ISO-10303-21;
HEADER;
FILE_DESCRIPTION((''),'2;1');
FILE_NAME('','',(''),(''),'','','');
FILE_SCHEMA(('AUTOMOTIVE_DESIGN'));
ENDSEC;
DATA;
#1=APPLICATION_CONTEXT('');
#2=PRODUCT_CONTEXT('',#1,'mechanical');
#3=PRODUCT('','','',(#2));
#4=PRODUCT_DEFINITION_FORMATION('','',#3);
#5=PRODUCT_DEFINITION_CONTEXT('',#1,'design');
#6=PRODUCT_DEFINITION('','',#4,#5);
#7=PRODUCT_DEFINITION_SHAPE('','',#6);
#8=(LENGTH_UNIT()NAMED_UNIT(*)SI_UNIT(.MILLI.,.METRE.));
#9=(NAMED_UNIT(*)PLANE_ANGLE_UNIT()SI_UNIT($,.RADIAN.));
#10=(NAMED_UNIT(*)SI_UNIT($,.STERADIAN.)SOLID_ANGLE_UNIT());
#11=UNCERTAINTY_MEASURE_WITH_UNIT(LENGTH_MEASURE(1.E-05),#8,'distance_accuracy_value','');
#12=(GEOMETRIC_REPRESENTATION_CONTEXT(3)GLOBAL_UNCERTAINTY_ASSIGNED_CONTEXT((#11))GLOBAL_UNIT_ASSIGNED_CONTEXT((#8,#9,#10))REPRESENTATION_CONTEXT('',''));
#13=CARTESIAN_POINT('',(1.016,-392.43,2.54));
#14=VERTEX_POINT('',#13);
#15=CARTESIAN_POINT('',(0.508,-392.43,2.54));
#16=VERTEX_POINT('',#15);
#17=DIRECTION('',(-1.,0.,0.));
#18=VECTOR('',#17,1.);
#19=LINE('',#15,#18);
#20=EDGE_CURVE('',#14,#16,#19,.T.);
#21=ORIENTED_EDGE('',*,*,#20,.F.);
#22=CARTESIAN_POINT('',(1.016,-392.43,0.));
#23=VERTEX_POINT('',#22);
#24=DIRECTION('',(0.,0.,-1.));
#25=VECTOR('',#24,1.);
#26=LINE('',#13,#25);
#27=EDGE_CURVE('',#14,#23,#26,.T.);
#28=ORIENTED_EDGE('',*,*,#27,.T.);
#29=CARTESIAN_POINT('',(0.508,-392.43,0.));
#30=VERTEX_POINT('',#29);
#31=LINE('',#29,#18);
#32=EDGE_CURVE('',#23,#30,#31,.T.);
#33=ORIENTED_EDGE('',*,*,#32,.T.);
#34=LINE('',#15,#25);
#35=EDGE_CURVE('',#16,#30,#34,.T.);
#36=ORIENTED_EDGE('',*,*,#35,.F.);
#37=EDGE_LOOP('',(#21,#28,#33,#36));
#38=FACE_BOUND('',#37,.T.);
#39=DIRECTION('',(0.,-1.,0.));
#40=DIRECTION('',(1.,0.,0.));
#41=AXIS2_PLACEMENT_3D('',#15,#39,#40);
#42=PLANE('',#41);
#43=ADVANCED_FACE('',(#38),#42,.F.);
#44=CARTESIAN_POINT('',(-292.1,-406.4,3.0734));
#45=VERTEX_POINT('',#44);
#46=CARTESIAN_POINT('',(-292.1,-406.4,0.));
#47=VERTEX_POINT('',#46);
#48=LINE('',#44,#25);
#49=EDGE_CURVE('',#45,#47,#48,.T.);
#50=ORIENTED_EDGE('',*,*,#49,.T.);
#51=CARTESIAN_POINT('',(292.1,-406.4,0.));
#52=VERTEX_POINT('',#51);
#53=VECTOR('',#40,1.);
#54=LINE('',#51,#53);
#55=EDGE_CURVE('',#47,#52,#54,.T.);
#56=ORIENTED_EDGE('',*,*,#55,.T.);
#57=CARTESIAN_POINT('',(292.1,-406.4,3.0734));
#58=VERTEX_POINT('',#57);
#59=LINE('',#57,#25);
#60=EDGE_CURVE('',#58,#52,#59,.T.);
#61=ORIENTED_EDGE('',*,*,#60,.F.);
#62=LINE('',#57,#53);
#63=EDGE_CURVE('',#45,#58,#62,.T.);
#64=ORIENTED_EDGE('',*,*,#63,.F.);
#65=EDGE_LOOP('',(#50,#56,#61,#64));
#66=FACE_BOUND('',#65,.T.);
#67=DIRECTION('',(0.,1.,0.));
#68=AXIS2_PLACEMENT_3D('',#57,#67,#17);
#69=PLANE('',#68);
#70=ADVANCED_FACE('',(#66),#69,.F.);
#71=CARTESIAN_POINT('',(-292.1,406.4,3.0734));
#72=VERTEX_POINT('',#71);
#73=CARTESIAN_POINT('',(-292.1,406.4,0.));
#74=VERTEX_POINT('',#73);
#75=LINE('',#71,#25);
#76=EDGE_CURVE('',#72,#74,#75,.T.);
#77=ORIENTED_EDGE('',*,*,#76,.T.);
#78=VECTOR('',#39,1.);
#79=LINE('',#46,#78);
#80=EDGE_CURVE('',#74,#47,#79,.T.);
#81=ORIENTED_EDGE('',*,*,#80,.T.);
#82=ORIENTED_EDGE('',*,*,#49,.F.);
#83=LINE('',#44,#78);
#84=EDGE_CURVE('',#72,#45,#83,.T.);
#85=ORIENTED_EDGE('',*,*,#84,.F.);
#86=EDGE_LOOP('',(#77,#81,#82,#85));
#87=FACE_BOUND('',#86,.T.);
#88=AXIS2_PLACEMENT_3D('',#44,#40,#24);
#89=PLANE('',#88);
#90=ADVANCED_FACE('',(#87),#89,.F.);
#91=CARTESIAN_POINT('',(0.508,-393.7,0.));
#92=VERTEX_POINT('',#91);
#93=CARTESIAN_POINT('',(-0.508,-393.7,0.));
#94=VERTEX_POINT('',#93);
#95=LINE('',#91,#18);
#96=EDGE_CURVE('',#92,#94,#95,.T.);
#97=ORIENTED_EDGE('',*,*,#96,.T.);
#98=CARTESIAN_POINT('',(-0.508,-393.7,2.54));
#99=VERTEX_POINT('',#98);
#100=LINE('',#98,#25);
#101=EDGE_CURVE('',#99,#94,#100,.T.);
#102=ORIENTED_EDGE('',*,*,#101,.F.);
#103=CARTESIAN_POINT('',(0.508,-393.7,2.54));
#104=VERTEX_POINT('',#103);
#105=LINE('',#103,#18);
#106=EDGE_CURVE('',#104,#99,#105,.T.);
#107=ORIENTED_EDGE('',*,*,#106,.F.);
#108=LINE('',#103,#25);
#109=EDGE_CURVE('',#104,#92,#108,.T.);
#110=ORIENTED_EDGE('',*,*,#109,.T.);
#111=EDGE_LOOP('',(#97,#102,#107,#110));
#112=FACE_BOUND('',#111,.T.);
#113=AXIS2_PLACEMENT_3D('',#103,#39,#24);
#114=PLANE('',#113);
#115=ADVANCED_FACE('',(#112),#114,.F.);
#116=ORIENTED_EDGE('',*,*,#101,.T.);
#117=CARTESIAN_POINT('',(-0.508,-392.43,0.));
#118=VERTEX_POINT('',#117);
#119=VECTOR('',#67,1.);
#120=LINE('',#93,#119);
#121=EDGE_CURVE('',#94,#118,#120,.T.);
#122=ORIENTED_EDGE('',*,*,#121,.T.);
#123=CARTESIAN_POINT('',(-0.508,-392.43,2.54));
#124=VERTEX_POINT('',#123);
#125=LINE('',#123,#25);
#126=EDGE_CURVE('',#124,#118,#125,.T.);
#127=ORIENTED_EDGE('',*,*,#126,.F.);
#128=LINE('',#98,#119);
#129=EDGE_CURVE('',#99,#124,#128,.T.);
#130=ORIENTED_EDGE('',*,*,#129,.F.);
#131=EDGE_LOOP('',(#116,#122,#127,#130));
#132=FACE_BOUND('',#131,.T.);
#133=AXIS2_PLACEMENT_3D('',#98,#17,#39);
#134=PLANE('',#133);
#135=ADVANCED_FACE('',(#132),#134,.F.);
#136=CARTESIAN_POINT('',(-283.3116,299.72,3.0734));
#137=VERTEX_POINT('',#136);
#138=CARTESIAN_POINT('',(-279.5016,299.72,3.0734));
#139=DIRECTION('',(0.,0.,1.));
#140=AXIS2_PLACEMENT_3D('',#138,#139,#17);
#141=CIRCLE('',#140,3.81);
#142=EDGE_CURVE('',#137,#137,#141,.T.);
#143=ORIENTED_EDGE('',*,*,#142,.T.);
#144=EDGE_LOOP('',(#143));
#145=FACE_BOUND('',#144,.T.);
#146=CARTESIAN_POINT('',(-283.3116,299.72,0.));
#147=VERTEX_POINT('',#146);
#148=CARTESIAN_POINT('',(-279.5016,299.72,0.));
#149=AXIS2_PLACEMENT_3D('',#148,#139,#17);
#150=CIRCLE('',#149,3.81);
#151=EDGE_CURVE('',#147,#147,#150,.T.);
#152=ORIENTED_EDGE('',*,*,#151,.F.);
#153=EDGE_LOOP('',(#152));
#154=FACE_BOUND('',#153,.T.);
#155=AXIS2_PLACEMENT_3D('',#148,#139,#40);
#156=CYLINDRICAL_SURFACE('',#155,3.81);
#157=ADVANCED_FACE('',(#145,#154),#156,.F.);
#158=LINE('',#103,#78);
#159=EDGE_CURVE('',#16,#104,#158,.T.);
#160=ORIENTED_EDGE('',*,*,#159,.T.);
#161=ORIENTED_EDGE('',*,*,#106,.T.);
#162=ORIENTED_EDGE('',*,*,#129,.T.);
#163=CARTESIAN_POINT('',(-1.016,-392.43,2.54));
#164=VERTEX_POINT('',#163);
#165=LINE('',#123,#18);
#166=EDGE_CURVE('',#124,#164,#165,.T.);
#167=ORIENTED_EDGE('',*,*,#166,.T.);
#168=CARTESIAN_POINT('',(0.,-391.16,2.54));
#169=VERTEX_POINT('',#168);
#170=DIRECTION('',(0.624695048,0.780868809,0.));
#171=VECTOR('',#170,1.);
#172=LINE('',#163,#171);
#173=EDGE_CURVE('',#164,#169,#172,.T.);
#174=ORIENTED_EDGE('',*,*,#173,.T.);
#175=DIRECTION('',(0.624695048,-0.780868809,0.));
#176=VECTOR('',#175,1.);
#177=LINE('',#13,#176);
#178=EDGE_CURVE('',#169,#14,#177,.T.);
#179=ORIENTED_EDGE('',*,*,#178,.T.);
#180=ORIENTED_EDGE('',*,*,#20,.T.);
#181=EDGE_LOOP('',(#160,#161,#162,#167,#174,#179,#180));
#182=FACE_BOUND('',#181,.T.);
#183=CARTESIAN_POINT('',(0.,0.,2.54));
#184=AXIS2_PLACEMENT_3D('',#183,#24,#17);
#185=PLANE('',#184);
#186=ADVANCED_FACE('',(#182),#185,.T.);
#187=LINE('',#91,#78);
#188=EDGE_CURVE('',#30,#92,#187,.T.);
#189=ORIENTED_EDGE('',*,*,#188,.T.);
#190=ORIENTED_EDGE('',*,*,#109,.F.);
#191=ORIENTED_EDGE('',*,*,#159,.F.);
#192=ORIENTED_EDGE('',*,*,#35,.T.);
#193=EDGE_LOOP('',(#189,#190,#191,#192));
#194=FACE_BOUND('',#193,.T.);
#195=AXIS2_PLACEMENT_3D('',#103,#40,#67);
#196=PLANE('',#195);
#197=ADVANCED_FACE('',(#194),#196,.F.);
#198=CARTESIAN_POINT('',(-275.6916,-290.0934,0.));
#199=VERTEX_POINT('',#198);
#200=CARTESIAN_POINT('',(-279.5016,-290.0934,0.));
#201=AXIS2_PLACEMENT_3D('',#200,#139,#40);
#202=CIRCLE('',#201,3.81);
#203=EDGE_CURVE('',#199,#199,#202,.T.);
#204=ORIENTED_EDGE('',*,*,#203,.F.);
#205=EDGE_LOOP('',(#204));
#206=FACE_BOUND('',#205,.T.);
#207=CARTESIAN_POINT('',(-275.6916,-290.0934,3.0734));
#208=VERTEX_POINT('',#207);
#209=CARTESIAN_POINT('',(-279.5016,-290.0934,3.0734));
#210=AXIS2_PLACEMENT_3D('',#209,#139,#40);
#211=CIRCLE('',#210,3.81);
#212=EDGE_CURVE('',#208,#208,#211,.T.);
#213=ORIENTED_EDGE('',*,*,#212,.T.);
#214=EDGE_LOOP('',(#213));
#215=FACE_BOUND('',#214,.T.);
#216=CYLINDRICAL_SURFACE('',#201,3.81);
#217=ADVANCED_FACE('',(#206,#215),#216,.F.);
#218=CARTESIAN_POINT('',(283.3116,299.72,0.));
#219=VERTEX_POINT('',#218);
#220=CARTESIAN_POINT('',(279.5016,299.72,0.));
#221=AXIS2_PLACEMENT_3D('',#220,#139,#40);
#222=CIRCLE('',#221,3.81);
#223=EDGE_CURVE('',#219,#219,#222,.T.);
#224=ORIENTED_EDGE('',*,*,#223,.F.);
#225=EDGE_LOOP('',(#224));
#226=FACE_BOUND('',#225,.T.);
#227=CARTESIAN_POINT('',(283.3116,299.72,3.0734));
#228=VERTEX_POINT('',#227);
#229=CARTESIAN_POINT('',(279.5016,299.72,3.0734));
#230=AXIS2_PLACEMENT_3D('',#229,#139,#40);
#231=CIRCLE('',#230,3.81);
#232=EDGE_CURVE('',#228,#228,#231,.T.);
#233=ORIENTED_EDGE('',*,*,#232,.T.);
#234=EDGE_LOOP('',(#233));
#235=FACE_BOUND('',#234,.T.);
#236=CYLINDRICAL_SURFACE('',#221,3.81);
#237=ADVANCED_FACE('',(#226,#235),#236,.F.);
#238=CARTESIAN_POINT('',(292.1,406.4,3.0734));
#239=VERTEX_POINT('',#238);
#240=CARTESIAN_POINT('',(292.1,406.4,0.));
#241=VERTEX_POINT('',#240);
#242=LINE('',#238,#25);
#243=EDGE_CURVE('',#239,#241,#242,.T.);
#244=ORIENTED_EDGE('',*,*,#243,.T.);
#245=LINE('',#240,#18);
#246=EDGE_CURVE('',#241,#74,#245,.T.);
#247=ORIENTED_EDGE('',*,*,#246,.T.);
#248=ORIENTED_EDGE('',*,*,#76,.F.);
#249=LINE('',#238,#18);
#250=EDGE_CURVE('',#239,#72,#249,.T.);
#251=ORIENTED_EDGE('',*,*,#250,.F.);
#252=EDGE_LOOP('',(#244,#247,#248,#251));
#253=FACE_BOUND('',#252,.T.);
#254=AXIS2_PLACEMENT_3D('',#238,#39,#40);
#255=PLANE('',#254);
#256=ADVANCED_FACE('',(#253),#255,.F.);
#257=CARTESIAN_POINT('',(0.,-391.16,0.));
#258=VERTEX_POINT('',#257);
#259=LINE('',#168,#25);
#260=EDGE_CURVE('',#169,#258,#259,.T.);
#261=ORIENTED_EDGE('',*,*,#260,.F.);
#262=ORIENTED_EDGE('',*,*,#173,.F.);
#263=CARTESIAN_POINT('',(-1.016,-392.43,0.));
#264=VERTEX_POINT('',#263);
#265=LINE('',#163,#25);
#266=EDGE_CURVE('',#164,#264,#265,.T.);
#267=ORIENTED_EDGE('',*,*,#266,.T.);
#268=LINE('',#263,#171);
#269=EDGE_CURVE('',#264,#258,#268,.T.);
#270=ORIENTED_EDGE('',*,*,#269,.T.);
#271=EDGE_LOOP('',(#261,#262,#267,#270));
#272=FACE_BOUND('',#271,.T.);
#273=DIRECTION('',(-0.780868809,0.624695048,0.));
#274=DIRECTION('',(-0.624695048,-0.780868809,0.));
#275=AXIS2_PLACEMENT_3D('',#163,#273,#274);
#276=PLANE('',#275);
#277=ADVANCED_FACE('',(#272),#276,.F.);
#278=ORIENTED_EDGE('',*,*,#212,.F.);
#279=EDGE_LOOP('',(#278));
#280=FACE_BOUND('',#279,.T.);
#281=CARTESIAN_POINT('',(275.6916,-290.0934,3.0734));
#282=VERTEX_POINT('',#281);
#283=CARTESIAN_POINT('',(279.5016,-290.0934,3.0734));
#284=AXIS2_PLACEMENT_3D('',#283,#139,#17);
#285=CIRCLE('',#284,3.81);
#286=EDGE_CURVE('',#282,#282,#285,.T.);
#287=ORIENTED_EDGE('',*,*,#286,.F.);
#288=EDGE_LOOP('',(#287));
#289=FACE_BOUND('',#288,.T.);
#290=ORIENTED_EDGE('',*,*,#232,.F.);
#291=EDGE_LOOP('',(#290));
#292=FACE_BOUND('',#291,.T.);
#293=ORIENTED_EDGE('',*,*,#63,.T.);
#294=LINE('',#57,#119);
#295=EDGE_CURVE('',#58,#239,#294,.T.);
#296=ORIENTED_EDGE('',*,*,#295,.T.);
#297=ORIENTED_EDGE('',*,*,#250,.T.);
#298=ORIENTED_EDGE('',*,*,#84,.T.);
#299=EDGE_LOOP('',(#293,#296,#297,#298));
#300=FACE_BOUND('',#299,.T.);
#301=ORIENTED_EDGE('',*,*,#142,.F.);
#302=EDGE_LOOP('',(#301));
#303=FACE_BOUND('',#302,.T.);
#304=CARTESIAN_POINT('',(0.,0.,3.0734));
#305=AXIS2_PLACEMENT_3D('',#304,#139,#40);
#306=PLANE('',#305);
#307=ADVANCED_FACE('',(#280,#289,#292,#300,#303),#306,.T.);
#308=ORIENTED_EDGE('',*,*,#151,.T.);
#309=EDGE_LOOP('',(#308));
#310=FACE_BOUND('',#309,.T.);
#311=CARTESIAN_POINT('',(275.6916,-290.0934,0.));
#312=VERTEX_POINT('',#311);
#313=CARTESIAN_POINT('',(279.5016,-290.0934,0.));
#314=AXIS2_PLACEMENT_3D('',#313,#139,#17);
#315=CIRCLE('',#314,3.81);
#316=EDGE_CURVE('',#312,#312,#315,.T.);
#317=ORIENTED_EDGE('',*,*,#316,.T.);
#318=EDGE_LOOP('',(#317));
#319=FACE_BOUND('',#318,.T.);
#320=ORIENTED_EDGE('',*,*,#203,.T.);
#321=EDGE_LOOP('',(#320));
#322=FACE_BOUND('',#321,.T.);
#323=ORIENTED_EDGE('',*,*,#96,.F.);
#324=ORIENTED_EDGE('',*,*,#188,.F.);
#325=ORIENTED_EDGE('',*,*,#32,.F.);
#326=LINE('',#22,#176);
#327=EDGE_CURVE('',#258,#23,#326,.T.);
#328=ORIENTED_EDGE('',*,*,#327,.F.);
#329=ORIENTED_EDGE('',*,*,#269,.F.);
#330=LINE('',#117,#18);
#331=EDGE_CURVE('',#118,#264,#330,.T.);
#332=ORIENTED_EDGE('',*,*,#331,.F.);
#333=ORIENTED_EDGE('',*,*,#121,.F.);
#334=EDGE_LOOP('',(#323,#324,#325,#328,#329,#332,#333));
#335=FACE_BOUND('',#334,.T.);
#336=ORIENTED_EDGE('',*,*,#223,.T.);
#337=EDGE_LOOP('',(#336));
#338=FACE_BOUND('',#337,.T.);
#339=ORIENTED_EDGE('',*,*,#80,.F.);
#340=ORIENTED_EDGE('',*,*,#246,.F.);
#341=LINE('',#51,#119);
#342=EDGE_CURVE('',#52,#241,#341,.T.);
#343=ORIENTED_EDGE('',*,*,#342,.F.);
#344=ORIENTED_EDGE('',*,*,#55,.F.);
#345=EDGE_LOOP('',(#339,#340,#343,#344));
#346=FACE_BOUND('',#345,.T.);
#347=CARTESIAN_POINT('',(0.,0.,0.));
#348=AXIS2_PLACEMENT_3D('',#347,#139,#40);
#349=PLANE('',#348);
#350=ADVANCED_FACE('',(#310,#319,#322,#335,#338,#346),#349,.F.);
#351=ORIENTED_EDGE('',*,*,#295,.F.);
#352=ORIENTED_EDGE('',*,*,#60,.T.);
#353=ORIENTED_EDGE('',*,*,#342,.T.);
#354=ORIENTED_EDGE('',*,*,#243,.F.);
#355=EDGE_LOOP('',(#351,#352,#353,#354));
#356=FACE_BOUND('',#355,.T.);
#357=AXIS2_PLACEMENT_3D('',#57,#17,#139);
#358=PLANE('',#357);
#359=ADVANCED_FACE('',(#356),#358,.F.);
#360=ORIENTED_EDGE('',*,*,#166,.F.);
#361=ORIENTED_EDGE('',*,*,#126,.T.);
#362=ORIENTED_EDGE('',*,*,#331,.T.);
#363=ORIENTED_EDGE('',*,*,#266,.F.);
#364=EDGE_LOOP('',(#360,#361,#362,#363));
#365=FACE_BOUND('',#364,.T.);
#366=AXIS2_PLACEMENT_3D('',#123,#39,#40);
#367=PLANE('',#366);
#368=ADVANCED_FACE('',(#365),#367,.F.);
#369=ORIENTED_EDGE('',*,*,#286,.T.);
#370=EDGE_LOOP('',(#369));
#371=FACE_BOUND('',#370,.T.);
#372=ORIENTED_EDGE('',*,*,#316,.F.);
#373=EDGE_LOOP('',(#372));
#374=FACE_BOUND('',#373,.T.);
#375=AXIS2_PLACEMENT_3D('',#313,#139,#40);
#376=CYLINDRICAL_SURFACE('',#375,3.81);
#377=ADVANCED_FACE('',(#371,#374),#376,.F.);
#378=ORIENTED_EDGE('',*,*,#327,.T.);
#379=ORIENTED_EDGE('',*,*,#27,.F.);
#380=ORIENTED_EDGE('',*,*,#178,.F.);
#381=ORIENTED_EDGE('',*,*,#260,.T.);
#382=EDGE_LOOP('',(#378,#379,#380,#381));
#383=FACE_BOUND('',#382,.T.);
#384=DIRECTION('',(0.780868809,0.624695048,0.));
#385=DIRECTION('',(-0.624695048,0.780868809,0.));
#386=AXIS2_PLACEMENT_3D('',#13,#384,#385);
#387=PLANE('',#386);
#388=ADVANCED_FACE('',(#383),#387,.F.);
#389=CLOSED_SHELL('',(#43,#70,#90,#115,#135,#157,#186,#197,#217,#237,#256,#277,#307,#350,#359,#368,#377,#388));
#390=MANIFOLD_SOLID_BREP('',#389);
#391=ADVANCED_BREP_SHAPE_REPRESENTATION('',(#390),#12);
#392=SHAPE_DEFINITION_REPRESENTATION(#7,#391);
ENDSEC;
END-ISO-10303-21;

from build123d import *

# Parameters (mm, degrees)
SKETCH1_W           = 584.2
SKETCH1_H           = 812.8
BOSS_EXTRUDE1_DEPTH = 3.0734
SKETCH3_R           = 3.81
CUT_EXTRUDE1_DEPTH  = 4.0734
CUT_EXTRUDE2_DEPTH  = 2.54


with BuildPart() as part:
    # Sketch1 → Boss-Extrude1 (new body)
    with BuildSketch(Plane.XY):
        Rectangle(SKETCH1_W, SKETCH1_H)
    extrude(amount=BOSS_EXTRUDE1_DEPTH)

    # Sketch3 → Cut-Extrude1 (cut, through all)
    with BuildSketch(Plane.XY.offset(3.0734)):
        with Locations((279.5016, 299.72)):
            Circle(SKETCH3_R)
        with Locations((-279.5016, -290.0934)):
            Circle(SKETCH3_R)
        with Locations((279.5016, -290.0934)):
            Circle(SKETCH3_R)
        with Locations((-279.5016, 299.72)):
            Circle(SKETCH3_R)
    extrude(amount=-CUT_EXTRUDE1_DEPTH, mode=Mode.SUBTRACT)

    # Sketch4 → Cut-Extrude2 (cut)
    with BuildSketch(Plane(origin=(0, 0, 0), x_dir=(-1, 0, 0), z_dir=(0, 0, -1))):
        Polygon((-0.508, -393.7), (0.508, -393.7), (0.508, -392.43), (1.016, -392.43), (0, -391.16), (-1.016, -392.43), (-0.508, -392.43), align=None)
    extrude(amount=-CUT_EXTRUDE2_DEPTH, mode=Mode.SUBTRACT)


solid = part.part
